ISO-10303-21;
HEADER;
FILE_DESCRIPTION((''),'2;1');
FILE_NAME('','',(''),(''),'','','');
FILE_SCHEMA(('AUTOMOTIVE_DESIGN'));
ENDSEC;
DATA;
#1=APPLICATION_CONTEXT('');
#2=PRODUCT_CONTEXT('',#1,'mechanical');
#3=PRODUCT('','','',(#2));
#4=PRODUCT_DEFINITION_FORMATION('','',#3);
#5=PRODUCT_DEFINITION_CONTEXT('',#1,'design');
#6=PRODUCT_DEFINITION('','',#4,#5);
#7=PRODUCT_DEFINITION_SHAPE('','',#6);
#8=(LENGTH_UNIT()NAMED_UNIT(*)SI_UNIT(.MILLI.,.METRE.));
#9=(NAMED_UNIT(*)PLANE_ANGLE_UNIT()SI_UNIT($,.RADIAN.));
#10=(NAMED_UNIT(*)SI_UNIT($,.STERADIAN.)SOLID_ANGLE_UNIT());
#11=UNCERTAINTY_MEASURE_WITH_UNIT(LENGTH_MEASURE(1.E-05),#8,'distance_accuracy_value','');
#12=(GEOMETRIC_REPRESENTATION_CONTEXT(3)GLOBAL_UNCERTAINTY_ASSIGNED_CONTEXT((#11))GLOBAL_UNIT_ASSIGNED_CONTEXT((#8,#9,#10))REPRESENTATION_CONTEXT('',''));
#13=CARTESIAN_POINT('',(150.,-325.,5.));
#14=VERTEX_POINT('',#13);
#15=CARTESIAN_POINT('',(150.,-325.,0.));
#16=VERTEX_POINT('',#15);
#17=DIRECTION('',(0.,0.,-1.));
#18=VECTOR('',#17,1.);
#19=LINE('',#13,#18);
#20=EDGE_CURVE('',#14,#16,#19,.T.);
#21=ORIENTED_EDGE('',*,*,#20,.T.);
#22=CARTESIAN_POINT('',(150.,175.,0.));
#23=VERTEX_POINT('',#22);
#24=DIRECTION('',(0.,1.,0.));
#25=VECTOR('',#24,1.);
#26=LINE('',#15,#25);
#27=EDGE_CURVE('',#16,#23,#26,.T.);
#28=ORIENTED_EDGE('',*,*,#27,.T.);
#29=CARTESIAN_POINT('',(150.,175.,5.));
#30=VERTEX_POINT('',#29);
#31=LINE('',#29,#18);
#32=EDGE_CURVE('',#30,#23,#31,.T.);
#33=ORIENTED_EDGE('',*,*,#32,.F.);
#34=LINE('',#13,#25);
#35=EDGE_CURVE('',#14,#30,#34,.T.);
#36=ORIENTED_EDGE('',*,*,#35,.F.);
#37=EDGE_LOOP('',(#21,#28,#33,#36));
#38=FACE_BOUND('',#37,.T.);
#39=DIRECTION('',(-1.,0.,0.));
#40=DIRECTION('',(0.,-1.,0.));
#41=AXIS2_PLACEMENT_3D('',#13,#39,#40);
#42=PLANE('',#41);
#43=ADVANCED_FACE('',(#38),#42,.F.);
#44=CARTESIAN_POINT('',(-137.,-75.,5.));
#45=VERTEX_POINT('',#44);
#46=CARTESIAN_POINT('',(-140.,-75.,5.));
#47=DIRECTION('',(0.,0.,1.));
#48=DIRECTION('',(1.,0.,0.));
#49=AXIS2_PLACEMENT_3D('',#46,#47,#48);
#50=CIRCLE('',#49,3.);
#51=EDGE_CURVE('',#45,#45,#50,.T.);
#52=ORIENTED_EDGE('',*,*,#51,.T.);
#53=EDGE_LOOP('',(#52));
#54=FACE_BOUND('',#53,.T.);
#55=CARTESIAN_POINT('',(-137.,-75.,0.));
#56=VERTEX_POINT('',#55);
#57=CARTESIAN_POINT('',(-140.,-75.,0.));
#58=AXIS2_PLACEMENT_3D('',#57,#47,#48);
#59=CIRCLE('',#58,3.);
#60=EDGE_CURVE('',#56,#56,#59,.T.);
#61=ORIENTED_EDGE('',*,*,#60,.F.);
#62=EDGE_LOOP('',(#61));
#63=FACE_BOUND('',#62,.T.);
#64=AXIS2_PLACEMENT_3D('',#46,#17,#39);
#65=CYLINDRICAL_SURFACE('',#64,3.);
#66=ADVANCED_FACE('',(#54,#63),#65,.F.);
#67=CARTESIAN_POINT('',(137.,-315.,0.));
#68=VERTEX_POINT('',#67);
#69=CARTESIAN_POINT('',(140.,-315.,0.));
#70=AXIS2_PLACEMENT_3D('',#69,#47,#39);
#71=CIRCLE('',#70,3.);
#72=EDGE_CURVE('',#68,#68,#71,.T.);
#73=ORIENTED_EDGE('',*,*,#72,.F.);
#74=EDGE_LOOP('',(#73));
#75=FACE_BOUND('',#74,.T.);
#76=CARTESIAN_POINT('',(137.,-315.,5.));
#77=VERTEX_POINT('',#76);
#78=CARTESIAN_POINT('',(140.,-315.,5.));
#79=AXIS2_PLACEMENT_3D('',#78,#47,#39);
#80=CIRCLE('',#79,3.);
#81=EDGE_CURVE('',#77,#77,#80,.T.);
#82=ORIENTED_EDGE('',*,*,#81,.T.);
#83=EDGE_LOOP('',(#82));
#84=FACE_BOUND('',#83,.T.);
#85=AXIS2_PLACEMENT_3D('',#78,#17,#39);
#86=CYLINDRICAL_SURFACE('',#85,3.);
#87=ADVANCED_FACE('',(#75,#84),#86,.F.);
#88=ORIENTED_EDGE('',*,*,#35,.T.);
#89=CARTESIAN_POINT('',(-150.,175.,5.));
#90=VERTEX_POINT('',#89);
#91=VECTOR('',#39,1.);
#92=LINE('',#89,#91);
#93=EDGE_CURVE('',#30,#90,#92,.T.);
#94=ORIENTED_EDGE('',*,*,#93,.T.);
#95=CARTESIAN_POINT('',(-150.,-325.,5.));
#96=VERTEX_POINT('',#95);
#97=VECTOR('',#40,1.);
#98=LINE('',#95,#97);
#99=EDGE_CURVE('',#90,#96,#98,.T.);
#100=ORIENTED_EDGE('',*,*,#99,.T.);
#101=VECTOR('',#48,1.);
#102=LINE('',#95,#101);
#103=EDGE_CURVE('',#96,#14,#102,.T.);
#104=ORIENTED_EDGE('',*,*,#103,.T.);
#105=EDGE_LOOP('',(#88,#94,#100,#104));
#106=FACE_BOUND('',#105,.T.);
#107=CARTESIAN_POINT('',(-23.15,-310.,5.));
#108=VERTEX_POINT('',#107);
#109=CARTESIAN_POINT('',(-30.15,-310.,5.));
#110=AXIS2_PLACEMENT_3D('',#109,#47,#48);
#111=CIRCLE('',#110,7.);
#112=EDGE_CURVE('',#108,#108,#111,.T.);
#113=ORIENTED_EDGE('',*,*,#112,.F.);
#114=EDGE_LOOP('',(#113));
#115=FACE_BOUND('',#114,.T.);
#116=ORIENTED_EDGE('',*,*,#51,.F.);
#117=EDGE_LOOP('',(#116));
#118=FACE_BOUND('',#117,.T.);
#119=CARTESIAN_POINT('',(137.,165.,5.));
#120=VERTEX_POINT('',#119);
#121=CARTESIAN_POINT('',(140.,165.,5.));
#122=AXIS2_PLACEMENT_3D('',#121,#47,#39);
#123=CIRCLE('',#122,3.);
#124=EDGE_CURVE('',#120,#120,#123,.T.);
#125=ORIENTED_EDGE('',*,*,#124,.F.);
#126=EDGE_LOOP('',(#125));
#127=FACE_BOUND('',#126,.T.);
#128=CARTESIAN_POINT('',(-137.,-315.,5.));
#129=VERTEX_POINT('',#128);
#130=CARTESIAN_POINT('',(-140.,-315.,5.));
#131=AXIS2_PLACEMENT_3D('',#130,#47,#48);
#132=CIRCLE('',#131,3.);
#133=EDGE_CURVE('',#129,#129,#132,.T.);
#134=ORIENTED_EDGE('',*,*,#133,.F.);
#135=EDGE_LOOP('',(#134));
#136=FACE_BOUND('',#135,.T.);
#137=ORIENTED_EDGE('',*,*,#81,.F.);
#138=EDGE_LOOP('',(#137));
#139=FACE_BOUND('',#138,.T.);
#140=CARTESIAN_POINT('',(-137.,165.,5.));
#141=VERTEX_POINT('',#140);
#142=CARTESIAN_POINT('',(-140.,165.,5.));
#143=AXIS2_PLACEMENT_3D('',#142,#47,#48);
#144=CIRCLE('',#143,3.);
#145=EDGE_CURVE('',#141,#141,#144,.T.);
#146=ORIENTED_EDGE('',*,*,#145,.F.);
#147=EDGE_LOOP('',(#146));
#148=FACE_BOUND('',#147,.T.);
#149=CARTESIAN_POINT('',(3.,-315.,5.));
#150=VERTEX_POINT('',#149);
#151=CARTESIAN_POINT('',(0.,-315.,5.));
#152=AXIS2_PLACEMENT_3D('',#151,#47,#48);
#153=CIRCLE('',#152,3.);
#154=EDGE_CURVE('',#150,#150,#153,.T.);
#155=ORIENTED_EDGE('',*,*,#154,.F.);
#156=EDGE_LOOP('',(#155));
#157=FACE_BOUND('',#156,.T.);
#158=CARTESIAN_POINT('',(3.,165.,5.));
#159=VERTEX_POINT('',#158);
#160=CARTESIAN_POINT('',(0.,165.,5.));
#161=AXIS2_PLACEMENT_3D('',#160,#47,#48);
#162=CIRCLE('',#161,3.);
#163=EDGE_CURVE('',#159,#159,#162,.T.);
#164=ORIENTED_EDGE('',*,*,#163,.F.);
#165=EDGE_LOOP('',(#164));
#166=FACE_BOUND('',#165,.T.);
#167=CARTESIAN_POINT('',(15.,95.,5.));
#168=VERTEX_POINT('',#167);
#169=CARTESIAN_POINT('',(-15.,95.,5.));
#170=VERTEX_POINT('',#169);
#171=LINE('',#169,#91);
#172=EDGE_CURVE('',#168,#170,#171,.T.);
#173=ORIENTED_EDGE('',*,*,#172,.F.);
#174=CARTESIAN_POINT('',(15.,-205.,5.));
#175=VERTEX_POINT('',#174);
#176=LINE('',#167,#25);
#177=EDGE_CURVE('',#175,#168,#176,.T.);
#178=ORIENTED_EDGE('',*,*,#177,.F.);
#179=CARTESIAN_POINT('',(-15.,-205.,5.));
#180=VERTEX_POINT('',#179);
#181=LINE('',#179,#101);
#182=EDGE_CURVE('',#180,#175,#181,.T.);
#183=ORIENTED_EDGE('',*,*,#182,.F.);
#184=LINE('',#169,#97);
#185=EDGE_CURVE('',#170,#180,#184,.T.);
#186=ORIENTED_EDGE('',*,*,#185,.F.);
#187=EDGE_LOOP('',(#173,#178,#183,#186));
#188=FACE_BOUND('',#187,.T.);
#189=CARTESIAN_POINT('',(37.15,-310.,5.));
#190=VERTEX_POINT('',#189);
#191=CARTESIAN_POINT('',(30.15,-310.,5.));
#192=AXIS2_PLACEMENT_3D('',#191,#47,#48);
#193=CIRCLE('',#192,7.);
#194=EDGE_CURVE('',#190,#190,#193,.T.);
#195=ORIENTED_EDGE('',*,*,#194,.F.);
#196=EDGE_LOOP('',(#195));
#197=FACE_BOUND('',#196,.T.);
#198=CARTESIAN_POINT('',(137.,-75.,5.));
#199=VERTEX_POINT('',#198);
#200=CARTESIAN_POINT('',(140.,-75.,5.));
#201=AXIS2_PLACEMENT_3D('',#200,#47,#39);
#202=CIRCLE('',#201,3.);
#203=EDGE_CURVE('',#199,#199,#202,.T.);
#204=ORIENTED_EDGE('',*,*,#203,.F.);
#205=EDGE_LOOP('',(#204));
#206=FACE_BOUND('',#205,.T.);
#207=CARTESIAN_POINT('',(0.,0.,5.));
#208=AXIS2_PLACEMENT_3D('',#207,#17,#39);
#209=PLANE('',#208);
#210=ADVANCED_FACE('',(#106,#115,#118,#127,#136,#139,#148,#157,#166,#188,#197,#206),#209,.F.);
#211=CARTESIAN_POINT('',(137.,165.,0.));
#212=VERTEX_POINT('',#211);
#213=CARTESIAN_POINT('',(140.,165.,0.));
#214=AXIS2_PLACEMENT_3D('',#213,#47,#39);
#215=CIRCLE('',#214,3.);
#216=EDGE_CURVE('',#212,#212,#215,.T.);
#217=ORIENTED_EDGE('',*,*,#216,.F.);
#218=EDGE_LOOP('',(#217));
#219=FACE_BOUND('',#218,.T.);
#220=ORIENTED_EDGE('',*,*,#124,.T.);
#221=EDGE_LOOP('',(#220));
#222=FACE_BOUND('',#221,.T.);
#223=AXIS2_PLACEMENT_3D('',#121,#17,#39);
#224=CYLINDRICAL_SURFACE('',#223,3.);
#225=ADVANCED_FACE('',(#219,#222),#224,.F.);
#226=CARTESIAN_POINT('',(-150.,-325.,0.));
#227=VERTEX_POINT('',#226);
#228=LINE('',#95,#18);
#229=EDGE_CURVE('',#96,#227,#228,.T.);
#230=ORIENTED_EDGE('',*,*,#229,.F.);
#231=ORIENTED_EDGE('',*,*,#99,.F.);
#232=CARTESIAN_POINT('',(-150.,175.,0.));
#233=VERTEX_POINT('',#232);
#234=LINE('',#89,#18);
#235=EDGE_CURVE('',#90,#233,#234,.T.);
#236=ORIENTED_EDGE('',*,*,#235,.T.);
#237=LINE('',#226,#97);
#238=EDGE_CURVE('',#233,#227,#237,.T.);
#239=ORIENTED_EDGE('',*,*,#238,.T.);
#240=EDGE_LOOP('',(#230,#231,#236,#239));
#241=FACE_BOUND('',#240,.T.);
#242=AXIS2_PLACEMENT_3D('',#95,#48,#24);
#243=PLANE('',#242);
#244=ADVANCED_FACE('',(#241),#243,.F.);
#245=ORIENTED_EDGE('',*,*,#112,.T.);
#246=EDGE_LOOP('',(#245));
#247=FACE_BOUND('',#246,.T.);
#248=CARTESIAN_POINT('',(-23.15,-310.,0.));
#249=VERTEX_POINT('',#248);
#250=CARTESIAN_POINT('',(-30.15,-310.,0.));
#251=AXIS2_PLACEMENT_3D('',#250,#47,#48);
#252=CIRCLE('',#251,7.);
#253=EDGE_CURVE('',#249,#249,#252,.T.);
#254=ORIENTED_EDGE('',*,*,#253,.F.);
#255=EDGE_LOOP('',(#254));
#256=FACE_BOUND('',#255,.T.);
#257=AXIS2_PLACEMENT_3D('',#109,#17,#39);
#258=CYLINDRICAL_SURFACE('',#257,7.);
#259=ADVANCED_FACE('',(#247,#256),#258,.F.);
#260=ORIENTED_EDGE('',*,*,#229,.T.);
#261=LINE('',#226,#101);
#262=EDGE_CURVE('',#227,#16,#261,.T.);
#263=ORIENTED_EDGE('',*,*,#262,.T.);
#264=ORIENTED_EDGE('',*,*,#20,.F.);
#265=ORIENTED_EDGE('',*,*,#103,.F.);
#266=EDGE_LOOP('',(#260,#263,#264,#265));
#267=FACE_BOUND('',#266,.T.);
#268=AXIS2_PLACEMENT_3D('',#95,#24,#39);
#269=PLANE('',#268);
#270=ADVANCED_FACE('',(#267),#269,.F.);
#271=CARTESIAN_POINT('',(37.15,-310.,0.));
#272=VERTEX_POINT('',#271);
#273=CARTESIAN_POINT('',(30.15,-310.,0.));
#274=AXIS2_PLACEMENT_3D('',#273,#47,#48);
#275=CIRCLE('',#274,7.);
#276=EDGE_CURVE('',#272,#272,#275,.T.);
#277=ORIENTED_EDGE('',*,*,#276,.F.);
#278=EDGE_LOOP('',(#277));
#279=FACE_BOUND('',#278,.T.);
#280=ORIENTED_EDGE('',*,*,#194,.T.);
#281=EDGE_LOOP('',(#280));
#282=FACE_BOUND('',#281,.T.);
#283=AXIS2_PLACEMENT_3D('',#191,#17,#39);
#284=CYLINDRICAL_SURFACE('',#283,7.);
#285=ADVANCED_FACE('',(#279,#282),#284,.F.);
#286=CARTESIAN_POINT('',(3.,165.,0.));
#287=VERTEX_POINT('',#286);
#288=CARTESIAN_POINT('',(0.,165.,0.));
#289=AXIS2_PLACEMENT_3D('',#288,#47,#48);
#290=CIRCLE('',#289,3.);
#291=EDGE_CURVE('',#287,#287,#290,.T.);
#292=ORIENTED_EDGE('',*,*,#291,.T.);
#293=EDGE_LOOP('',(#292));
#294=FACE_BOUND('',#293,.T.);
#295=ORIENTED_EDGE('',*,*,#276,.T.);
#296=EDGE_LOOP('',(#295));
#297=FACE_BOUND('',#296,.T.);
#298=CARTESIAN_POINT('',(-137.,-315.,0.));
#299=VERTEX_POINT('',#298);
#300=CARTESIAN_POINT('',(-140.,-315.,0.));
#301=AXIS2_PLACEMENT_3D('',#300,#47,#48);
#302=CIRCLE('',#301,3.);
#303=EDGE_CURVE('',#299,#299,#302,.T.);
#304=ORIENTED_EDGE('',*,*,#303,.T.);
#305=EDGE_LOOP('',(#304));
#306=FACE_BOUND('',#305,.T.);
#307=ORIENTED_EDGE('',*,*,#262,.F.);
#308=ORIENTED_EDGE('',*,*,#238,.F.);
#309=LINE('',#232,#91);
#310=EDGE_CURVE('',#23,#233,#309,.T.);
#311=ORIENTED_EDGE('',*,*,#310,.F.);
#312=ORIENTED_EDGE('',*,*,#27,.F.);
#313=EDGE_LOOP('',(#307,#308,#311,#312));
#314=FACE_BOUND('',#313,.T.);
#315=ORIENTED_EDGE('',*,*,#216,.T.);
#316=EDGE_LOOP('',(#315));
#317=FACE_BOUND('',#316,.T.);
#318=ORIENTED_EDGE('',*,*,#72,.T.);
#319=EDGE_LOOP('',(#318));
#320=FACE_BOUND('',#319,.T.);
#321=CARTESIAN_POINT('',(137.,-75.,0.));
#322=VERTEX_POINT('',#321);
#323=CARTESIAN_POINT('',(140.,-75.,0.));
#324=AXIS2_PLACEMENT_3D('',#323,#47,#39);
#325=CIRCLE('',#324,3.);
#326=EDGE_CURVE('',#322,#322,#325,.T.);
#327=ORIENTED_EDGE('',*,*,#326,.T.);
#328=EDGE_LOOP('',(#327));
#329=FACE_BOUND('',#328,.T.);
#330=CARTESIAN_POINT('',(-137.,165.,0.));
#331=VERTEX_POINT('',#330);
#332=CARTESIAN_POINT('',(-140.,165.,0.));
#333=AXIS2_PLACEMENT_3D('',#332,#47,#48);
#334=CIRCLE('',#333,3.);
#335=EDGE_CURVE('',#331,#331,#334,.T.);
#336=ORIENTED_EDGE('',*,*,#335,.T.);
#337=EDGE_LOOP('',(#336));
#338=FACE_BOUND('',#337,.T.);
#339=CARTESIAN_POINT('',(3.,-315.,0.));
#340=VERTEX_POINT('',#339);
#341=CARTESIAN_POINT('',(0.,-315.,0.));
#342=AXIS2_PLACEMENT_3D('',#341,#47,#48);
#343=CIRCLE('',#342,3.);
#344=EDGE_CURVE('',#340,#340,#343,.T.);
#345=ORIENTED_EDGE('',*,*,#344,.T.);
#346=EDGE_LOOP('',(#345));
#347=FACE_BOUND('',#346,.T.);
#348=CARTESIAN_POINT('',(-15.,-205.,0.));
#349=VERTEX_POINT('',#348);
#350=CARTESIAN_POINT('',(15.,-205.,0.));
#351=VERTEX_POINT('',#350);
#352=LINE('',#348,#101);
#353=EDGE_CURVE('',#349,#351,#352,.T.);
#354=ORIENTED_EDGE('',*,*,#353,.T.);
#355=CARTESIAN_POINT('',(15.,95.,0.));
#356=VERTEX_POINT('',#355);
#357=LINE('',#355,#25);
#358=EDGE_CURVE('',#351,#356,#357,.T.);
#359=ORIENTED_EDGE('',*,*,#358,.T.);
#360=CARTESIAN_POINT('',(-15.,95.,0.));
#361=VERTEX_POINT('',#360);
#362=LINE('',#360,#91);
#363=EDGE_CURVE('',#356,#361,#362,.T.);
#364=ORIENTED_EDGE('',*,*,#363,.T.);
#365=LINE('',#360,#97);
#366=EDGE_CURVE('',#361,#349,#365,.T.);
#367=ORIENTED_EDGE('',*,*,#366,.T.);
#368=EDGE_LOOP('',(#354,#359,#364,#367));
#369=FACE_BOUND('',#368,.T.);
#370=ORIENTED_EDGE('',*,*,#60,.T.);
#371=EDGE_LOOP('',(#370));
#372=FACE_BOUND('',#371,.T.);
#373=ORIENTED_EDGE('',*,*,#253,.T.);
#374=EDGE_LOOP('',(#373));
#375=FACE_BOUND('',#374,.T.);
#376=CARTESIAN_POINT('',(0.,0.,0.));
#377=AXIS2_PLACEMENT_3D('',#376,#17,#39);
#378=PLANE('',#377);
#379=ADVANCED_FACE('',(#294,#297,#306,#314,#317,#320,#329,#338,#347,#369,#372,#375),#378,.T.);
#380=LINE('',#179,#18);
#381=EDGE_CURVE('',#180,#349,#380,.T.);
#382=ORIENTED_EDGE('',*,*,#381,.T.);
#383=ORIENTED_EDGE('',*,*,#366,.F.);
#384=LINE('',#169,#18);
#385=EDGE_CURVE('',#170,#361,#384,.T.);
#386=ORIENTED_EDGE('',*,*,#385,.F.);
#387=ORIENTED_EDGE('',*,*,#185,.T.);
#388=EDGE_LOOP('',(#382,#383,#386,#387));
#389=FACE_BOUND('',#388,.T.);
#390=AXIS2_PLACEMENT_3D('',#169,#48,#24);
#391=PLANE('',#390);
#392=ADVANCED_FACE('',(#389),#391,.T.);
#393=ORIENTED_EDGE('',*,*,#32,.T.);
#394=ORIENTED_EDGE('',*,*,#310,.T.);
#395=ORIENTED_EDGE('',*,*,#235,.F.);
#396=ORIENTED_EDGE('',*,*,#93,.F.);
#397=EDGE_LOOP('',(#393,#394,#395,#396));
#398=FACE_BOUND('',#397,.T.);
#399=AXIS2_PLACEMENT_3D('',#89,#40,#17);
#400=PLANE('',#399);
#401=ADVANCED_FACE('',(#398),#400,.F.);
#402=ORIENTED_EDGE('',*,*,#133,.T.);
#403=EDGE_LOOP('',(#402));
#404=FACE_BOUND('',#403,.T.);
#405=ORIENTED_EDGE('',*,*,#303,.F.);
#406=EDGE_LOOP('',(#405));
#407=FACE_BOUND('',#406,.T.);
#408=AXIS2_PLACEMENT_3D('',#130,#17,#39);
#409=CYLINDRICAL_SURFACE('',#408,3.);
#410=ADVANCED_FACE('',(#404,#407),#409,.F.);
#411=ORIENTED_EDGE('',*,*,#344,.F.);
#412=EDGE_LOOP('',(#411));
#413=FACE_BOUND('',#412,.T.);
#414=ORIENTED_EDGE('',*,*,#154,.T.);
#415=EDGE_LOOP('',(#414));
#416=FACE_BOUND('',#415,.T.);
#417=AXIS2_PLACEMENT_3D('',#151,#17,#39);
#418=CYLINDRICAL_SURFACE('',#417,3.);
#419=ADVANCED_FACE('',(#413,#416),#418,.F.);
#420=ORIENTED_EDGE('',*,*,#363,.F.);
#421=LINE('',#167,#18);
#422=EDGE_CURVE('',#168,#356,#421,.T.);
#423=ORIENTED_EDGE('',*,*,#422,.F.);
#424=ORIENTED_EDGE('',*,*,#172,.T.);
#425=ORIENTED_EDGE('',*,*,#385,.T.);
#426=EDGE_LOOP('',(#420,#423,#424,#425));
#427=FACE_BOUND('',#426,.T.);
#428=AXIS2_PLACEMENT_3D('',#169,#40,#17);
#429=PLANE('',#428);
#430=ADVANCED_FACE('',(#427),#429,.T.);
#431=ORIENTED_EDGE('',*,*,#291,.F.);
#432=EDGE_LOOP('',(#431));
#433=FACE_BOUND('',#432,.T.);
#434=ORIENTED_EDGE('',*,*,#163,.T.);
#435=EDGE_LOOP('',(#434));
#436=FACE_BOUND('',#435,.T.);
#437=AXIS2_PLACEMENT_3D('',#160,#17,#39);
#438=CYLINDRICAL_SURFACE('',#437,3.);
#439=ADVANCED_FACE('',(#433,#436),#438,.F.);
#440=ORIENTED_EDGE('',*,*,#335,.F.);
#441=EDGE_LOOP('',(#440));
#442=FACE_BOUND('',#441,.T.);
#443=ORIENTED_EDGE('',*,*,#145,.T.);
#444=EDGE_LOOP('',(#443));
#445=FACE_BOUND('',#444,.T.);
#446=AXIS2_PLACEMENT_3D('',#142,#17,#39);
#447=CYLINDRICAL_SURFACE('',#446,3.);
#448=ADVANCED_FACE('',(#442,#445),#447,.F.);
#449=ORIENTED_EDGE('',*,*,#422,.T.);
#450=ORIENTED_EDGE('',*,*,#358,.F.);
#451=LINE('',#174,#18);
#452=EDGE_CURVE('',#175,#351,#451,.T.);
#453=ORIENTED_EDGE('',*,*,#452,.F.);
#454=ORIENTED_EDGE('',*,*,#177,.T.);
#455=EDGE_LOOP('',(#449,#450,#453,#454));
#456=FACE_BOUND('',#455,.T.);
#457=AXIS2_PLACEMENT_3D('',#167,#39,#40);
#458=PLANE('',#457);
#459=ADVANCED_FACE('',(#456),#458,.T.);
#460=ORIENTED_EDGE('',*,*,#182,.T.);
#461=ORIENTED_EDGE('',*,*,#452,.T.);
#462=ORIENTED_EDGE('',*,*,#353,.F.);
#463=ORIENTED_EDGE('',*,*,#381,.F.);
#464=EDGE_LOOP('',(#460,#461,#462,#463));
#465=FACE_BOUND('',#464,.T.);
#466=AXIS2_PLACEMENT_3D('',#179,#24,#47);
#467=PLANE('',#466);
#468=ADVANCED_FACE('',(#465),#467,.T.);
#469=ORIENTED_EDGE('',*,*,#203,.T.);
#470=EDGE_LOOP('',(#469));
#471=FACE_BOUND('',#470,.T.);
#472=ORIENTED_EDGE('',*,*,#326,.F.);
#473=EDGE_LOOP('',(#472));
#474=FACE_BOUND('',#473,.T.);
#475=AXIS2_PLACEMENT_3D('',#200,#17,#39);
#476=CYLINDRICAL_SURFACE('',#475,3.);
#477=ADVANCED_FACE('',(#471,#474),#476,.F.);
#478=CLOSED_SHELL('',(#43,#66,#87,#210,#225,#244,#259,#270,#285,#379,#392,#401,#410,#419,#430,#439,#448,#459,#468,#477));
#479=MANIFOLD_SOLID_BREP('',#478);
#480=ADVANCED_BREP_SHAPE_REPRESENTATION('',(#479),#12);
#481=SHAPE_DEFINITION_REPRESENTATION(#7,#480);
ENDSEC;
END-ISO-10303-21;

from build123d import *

# Parameters (mm, degrees)
SKETCH1_W           = 300
SKETCH1_H           = 500
SKETCH1_R           = 3
SKETCH1_R_2         = 7
SKETCH1_W_2         = 30
SKETCH1_H_2         = 300
BOSS_EXTRUDE1_DEPTH = 5


with BuildPart() as part:
    # Sketch1 → Boss-Extrude1 (new body)
    with BuildSketch(Plane.XY):
        with Locations((0, -75)):
            Rectangle(SKETCH1_W, SKETCH1_H)
        with Locations((-140, -75)):
            Circle(SKETCH1_R, mode=Mode.SUBTRACT)
        with Locations((140, -315)):
            Circle(SKETCH1_R, mode=Mode.SUBTRACT)
        with Locations((140, -75)):
            Circle(SKETCH1_R, mode=Mode.SUBTRACT)
        with Locations((140, 165)):
            Circle(SKETCH1_R, mode=Mode.SUBTRACT)
        with Locations((0, 165)):
            Circle(SKETCH1_R, mode=Mode.SUBTRACT)
        with Locations((0, -315)):
            Circle(SKETCH1_R, mode=Mode.SUBTRACT)
        with Locations((-140, 165)):
            Circle(SKETCH1_R, mode=Mode.SUBTRACT)
        with Locations((-140, -315)):
            Circle(SKETCH1_R, mode=Mode.SUBTRACT)
        with Locations((-30.15, -310)):
            Circle(SKETCH1_R_2, mode=Mode.SUBTRACT)
        with Locations((30.15, -310)):
            Circle(SKETCH1_R_2, mode=Mode.SUBTRACT)
        with Locations((0, -55)):
            Rectangle(SKETCH1_W_2, SKETCH1_H_2, mode=Mode.SUBTRACT)
    extrude(amount=BOSS_EXTRUDE1_DEPTH)


solid = part.part
